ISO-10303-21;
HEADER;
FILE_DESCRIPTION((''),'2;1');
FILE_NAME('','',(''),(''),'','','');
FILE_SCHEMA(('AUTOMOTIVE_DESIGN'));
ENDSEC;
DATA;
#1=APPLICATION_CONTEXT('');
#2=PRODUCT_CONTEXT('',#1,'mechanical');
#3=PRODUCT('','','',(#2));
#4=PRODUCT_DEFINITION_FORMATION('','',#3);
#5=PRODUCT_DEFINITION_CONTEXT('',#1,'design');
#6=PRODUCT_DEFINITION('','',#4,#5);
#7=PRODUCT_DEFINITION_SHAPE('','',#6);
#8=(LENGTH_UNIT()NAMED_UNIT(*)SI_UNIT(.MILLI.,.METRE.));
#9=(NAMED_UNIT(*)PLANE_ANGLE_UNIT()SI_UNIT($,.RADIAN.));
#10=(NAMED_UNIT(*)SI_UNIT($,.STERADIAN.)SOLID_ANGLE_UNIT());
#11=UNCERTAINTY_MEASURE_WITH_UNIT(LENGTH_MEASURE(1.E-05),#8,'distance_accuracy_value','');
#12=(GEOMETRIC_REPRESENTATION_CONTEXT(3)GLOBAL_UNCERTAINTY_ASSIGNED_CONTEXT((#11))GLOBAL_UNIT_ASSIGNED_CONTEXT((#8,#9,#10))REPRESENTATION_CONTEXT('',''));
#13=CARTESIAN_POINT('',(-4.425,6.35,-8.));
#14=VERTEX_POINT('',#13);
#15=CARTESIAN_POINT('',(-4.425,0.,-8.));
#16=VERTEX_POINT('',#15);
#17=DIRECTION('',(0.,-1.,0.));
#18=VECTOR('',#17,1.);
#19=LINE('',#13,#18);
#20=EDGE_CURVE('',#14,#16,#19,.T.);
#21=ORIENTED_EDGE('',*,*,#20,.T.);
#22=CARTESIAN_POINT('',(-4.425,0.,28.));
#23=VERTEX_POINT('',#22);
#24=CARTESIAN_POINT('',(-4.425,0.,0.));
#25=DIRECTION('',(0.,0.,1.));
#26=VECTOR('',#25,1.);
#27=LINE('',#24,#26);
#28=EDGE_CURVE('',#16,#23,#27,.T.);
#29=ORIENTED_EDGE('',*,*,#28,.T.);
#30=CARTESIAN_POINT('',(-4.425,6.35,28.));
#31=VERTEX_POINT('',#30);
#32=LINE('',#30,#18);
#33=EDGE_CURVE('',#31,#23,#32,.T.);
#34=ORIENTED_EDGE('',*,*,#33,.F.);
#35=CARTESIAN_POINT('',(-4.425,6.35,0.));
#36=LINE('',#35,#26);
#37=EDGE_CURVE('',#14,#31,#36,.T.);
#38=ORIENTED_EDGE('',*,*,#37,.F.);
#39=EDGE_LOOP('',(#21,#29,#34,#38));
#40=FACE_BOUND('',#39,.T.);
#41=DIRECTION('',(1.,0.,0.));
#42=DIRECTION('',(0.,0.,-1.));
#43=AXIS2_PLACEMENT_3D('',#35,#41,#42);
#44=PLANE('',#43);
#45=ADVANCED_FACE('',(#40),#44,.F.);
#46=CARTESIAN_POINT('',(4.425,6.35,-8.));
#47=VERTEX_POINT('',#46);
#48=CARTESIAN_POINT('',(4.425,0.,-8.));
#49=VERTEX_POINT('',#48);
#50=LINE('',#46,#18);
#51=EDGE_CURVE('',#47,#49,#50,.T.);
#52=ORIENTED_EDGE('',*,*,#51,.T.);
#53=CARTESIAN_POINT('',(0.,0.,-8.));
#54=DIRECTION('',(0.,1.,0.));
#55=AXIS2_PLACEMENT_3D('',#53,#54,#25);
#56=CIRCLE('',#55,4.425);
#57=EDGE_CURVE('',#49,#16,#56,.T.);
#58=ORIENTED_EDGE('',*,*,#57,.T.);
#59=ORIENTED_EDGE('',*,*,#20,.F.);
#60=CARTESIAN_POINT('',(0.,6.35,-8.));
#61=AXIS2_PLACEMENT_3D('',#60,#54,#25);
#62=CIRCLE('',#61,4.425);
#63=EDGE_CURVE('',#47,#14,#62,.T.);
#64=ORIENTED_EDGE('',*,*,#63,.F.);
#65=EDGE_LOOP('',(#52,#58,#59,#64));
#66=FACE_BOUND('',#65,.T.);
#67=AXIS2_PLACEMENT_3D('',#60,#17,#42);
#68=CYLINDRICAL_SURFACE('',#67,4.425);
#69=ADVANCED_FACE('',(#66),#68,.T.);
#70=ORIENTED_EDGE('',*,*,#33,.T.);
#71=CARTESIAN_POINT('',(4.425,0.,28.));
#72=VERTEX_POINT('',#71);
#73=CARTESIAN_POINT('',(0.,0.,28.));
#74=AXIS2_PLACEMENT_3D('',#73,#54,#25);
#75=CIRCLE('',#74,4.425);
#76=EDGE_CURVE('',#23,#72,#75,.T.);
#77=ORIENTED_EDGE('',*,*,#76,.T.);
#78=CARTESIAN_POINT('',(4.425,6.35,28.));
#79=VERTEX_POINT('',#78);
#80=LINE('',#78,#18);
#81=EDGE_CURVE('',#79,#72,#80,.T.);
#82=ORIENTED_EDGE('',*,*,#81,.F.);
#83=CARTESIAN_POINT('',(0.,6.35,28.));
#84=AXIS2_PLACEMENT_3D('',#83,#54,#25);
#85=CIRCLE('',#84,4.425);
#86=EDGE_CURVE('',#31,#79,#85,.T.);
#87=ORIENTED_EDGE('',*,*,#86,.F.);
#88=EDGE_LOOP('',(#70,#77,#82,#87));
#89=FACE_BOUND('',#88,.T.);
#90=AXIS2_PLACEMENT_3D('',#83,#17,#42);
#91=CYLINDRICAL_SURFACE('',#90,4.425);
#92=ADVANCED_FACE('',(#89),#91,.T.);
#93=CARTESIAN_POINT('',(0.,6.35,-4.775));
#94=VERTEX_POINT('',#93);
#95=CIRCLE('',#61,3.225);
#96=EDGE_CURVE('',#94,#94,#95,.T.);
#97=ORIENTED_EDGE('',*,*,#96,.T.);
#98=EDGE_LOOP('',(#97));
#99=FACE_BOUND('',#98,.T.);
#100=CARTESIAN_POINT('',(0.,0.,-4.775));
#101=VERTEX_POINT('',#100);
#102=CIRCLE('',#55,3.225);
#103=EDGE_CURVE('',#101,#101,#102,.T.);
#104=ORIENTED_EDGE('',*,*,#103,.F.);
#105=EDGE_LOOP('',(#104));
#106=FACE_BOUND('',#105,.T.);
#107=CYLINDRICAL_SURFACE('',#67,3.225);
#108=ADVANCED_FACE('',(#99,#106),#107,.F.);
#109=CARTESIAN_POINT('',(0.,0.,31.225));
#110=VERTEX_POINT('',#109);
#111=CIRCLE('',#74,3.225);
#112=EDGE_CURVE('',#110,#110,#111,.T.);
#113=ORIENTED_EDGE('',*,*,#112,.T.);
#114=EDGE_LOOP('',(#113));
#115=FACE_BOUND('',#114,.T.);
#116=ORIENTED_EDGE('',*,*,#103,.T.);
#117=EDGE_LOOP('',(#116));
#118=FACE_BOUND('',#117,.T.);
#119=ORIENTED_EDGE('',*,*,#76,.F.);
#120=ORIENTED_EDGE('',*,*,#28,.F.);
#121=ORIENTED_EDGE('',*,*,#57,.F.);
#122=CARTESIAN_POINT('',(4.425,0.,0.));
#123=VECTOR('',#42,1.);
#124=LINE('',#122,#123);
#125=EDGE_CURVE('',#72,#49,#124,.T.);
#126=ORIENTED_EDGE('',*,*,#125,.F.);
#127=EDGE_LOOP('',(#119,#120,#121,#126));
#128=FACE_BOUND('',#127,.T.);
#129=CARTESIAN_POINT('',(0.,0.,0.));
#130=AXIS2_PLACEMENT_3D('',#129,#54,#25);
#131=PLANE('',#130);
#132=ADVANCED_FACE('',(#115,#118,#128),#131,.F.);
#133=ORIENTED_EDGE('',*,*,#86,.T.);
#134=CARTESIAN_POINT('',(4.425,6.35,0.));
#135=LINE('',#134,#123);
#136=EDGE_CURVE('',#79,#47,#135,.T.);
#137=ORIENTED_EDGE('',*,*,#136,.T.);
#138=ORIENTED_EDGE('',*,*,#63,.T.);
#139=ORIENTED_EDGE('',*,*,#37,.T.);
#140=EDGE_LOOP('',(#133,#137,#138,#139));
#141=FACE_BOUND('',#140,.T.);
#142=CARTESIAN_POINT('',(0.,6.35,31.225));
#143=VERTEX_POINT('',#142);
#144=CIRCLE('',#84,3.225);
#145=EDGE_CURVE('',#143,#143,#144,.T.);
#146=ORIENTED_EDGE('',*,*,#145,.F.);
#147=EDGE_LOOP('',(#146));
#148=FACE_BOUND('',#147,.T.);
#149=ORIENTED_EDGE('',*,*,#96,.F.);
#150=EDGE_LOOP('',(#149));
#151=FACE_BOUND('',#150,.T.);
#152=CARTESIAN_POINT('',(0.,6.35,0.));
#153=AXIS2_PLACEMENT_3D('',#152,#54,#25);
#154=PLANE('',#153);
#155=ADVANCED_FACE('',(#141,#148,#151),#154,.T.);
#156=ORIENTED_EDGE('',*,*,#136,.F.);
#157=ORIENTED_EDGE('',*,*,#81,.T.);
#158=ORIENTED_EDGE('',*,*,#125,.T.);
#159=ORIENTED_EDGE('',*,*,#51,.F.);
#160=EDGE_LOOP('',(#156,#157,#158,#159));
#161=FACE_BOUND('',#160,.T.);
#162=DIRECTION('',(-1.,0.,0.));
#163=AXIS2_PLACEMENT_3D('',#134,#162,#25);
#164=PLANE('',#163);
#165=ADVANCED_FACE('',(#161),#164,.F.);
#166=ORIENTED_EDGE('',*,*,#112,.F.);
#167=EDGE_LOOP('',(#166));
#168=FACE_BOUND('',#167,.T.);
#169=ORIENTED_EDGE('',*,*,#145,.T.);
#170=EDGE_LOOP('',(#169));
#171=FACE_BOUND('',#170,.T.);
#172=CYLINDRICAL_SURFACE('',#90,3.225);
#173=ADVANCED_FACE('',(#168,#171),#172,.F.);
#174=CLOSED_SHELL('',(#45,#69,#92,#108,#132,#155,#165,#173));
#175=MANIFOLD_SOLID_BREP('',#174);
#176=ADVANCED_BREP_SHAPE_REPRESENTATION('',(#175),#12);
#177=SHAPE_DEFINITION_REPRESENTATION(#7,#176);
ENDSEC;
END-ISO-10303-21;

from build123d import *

# Parameters (mm, degrees)
SKETCH1_R           = 3.225
BOSS_EXTRUDE1_DEPTH = 6.35


with BuildPart() as part:
    # Sketch1 → Boss-Extrude1 (new body)
    with BuildSketch(Plane(origin=(0, 0, 0), x_dir=(1, 0, 0), z_dir=(0, 1, 0))):
        with BuildLine():
            ThreePointArc((-4.425, -28), (0, -32.425), (4.425, -28))
            Line((4.425, -28), (4.425, 8))
            ThreePointArc((4.425, 8), (0, 12.425), (-4.425, 8))
            Line((-4.425, 8), (-4.425, -28))
        make_face()
        with Locations((0, -28)):
            Circle(SKETCH1_R, mode=Mode.SUBTRACT)
        with Locations((0, 8)):
            Circle(SKETCH1_R, mode=Mode.SUBTRACT)
    extrude(amount=BOSS_EXTRUDE1_DEPTH)


solid = part.part
